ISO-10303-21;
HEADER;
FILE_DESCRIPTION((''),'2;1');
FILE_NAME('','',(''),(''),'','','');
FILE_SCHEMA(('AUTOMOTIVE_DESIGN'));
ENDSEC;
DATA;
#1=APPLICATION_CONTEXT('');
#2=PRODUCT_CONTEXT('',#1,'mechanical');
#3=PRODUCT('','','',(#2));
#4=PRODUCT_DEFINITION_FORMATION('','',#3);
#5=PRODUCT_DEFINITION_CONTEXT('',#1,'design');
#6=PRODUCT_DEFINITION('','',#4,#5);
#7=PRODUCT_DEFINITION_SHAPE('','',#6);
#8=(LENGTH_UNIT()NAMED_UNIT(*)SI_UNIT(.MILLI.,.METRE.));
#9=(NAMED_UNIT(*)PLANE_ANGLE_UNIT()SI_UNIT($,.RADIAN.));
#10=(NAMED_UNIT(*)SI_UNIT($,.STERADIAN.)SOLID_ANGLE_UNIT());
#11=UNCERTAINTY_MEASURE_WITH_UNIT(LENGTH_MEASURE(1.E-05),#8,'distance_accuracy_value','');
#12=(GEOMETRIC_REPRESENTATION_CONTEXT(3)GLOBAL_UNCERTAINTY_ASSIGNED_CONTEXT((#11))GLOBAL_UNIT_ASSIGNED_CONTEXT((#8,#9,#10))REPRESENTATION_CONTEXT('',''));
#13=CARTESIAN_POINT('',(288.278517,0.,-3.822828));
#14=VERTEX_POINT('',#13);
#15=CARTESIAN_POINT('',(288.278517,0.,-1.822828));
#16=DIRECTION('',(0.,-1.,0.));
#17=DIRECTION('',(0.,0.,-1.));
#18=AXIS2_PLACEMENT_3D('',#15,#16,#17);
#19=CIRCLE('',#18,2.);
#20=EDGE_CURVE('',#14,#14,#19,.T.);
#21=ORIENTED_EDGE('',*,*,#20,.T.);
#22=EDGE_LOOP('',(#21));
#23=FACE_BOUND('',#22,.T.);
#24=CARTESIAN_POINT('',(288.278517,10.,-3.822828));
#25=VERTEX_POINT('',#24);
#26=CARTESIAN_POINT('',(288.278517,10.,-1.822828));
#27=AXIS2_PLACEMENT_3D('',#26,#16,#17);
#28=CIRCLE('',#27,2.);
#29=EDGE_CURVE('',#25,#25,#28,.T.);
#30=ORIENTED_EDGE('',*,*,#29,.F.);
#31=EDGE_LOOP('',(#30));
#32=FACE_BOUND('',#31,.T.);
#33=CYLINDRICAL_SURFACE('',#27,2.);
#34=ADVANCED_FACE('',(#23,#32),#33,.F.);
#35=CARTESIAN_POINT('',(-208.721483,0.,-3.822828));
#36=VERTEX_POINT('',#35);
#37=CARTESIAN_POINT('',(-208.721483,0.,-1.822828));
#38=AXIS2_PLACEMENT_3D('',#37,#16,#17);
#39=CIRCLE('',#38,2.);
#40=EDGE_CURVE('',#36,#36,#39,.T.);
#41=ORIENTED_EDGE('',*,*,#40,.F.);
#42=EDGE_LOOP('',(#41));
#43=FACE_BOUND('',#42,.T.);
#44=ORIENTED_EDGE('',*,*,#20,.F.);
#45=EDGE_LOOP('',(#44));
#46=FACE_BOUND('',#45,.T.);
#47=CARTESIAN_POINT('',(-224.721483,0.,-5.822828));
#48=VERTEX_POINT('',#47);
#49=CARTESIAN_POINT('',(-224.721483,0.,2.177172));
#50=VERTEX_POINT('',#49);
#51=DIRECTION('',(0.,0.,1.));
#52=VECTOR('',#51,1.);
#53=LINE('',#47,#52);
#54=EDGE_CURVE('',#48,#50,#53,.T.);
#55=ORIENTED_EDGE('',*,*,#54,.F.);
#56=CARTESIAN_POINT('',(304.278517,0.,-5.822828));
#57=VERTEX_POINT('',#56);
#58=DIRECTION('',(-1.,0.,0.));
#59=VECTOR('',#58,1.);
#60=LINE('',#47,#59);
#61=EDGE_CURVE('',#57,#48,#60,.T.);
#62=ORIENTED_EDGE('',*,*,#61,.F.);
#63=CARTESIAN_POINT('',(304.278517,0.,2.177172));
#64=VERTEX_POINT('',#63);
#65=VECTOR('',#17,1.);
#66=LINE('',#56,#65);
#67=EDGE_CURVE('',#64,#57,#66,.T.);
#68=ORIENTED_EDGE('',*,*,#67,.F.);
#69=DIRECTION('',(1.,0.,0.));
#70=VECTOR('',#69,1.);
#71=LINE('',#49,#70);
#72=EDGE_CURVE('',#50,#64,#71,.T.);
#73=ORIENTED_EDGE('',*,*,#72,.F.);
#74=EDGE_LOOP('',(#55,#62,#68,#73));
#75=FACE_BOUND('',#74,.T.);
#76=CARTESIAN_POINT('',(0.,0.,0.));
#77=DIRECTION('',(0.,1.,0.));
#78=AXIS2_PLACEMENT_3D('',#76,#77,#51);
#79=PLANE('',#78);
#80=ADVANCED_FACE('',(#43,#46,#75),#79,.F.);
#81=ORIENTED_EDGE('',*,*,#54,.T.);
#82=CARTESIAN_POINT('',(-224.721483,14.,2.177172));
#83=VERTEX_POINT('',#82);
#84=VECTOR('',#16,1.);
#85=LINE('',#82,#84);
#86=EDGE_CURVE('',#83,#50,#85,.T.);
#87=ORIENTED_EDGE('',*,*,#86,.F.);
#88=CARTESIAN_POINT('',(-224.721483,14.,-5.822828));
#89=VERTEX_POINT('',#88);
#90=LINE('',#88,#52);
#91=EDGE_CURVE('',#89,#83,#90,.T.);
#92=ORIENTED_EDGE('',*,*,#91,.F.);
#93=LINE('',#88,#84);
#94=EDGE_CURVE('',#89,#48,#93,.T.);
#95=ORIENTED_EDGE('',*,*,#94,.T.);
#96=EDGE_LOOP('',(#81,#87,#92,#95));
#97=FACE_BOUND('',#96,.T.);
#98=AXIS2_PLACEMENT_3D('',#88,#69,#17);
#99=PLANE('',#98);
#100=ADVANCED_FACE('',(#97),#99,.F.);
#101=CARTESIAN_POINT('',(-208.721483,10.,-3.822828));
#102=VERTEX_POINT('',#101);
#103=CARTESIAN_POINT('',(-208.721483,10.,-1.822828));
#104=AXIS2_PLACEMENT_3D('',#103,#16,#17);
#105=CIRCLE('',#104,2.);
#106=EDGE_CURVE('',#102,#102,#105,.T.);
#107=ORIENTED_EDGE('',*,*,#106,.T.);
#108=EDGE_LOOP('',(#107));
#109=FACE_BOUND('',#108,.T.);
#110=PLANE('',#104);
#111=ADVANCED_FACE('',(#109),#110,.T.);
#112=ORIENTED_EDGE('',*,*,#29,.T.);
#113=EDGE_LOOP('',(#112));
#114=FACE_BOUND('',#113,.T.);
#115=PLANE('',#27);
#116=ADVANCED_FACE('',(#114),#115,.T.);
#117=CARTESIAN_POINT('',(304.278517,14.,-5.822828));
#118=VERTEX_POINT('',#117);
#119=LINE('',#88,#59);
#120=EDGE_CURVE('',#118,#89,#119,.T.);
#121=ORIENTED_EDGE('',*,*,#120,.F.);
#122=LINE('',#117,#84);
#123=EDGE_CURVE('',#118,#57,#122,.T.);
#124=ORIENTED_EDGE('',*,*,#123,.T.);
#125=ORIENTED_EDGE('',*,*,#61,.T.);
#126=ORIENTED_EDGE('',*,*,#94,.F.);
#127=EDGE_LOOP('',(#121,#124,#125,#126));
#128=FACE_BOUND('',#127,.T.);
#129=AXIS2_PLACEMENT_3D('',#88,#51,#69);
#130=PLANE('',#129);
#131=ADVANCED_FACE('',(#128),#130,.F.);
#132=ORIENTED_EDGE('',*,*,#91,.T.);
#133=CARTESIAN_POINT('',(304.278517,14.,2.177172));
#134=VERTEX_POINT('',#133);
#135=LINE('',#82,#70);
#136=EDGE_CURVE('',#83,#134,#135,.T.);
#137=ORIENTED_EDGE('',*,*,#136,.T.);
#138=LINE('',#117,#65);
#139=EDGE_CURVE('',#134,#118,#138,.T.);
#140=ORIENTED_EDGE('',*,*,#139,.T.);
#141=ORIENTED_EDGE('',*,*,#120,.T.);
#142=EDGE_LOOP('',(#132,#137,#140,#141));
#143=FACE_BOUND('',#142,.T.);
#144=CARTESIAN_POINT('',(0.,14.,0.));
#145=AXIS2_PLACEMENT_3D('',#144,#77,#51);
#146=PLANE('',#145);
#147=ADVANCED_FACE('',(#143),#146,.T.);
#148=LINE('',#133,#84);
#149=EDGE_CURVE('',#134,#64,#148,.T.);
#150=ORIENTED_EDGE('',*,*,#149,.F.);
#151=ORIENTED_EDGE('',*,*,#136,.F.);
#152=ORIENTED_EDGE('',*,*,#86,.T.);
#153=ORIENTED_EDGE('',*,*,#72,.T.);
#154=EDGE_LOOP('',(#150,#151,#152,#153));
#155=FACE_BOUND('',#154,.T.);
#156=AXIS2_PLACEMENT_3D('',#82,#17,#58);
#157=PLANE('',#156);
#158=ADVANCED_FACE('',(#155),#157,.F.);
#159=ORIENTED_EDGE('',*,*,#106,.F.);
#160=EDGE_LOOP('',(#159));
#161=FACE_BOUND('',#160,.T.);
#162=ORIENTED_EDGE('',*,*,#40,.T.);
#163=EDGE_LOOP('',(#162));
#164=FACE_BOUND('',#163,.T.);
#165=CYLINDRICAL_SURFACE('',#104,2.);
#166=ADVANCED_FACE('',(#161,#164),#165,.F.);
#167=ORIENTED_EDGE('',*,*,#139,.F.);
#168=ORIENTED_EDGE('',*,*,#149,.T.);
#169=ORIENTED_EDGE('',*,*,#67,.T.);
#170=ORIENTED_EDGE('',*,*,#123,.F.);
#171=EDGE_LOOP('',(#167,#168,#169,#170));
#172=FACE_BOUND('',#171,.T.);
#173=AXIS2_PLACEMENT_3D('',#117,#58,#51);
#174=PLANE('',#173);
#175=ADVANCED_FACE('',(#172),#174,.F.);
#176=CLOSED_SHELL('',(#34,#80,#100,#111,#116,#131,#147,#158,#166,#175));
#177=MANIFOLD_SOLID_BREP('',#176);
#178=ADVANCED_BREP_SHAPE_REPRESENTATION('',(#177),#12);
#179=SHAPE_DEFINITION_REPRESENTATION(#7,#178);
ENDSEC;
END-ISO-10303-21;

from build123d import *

# Parameters (mm, degrees)
SKETCH1_W           = 529
SKETCH1_H           = 8
BOSS_EXTRUDE1_DEPTH = 14
SKETCH2_R           = 2
CUT_EXTRUDE1_DEPTH  = 10


with BuildPart() as part:
    # Sketch1 → Boss-Extrude1 (new body)
    with BuildSketch(Plane(origin=(0, 0, 0), x_dir=(1, 0, 0), z_dir=(0, 1, 0))):
        with Locations((39.778516938, 1.822827571)):
            Rectangle(SKETCH1_W, SKETCH1_H)
    extrude(amount=BOSS_EXTRUDE1_DEPTH)

    # Sketch2 → Cut-Extrude1 (cut)
    with BuildSketch(Plane.XZ):
        with Locations(Location((-208.721483062, -1.822827571, 0), (0, 0, 270))):
            Circle(SKETCH2_R)
        with Locations(Location((288.278516938, -1.822827571, 0), (0, 0, 270))):
            Circle(SKETCH2_R)
    extrude(amount=-CUT_EXTRUDE1_DEPTH, mode=Mode.SUBTRACT)


solid = part.part
